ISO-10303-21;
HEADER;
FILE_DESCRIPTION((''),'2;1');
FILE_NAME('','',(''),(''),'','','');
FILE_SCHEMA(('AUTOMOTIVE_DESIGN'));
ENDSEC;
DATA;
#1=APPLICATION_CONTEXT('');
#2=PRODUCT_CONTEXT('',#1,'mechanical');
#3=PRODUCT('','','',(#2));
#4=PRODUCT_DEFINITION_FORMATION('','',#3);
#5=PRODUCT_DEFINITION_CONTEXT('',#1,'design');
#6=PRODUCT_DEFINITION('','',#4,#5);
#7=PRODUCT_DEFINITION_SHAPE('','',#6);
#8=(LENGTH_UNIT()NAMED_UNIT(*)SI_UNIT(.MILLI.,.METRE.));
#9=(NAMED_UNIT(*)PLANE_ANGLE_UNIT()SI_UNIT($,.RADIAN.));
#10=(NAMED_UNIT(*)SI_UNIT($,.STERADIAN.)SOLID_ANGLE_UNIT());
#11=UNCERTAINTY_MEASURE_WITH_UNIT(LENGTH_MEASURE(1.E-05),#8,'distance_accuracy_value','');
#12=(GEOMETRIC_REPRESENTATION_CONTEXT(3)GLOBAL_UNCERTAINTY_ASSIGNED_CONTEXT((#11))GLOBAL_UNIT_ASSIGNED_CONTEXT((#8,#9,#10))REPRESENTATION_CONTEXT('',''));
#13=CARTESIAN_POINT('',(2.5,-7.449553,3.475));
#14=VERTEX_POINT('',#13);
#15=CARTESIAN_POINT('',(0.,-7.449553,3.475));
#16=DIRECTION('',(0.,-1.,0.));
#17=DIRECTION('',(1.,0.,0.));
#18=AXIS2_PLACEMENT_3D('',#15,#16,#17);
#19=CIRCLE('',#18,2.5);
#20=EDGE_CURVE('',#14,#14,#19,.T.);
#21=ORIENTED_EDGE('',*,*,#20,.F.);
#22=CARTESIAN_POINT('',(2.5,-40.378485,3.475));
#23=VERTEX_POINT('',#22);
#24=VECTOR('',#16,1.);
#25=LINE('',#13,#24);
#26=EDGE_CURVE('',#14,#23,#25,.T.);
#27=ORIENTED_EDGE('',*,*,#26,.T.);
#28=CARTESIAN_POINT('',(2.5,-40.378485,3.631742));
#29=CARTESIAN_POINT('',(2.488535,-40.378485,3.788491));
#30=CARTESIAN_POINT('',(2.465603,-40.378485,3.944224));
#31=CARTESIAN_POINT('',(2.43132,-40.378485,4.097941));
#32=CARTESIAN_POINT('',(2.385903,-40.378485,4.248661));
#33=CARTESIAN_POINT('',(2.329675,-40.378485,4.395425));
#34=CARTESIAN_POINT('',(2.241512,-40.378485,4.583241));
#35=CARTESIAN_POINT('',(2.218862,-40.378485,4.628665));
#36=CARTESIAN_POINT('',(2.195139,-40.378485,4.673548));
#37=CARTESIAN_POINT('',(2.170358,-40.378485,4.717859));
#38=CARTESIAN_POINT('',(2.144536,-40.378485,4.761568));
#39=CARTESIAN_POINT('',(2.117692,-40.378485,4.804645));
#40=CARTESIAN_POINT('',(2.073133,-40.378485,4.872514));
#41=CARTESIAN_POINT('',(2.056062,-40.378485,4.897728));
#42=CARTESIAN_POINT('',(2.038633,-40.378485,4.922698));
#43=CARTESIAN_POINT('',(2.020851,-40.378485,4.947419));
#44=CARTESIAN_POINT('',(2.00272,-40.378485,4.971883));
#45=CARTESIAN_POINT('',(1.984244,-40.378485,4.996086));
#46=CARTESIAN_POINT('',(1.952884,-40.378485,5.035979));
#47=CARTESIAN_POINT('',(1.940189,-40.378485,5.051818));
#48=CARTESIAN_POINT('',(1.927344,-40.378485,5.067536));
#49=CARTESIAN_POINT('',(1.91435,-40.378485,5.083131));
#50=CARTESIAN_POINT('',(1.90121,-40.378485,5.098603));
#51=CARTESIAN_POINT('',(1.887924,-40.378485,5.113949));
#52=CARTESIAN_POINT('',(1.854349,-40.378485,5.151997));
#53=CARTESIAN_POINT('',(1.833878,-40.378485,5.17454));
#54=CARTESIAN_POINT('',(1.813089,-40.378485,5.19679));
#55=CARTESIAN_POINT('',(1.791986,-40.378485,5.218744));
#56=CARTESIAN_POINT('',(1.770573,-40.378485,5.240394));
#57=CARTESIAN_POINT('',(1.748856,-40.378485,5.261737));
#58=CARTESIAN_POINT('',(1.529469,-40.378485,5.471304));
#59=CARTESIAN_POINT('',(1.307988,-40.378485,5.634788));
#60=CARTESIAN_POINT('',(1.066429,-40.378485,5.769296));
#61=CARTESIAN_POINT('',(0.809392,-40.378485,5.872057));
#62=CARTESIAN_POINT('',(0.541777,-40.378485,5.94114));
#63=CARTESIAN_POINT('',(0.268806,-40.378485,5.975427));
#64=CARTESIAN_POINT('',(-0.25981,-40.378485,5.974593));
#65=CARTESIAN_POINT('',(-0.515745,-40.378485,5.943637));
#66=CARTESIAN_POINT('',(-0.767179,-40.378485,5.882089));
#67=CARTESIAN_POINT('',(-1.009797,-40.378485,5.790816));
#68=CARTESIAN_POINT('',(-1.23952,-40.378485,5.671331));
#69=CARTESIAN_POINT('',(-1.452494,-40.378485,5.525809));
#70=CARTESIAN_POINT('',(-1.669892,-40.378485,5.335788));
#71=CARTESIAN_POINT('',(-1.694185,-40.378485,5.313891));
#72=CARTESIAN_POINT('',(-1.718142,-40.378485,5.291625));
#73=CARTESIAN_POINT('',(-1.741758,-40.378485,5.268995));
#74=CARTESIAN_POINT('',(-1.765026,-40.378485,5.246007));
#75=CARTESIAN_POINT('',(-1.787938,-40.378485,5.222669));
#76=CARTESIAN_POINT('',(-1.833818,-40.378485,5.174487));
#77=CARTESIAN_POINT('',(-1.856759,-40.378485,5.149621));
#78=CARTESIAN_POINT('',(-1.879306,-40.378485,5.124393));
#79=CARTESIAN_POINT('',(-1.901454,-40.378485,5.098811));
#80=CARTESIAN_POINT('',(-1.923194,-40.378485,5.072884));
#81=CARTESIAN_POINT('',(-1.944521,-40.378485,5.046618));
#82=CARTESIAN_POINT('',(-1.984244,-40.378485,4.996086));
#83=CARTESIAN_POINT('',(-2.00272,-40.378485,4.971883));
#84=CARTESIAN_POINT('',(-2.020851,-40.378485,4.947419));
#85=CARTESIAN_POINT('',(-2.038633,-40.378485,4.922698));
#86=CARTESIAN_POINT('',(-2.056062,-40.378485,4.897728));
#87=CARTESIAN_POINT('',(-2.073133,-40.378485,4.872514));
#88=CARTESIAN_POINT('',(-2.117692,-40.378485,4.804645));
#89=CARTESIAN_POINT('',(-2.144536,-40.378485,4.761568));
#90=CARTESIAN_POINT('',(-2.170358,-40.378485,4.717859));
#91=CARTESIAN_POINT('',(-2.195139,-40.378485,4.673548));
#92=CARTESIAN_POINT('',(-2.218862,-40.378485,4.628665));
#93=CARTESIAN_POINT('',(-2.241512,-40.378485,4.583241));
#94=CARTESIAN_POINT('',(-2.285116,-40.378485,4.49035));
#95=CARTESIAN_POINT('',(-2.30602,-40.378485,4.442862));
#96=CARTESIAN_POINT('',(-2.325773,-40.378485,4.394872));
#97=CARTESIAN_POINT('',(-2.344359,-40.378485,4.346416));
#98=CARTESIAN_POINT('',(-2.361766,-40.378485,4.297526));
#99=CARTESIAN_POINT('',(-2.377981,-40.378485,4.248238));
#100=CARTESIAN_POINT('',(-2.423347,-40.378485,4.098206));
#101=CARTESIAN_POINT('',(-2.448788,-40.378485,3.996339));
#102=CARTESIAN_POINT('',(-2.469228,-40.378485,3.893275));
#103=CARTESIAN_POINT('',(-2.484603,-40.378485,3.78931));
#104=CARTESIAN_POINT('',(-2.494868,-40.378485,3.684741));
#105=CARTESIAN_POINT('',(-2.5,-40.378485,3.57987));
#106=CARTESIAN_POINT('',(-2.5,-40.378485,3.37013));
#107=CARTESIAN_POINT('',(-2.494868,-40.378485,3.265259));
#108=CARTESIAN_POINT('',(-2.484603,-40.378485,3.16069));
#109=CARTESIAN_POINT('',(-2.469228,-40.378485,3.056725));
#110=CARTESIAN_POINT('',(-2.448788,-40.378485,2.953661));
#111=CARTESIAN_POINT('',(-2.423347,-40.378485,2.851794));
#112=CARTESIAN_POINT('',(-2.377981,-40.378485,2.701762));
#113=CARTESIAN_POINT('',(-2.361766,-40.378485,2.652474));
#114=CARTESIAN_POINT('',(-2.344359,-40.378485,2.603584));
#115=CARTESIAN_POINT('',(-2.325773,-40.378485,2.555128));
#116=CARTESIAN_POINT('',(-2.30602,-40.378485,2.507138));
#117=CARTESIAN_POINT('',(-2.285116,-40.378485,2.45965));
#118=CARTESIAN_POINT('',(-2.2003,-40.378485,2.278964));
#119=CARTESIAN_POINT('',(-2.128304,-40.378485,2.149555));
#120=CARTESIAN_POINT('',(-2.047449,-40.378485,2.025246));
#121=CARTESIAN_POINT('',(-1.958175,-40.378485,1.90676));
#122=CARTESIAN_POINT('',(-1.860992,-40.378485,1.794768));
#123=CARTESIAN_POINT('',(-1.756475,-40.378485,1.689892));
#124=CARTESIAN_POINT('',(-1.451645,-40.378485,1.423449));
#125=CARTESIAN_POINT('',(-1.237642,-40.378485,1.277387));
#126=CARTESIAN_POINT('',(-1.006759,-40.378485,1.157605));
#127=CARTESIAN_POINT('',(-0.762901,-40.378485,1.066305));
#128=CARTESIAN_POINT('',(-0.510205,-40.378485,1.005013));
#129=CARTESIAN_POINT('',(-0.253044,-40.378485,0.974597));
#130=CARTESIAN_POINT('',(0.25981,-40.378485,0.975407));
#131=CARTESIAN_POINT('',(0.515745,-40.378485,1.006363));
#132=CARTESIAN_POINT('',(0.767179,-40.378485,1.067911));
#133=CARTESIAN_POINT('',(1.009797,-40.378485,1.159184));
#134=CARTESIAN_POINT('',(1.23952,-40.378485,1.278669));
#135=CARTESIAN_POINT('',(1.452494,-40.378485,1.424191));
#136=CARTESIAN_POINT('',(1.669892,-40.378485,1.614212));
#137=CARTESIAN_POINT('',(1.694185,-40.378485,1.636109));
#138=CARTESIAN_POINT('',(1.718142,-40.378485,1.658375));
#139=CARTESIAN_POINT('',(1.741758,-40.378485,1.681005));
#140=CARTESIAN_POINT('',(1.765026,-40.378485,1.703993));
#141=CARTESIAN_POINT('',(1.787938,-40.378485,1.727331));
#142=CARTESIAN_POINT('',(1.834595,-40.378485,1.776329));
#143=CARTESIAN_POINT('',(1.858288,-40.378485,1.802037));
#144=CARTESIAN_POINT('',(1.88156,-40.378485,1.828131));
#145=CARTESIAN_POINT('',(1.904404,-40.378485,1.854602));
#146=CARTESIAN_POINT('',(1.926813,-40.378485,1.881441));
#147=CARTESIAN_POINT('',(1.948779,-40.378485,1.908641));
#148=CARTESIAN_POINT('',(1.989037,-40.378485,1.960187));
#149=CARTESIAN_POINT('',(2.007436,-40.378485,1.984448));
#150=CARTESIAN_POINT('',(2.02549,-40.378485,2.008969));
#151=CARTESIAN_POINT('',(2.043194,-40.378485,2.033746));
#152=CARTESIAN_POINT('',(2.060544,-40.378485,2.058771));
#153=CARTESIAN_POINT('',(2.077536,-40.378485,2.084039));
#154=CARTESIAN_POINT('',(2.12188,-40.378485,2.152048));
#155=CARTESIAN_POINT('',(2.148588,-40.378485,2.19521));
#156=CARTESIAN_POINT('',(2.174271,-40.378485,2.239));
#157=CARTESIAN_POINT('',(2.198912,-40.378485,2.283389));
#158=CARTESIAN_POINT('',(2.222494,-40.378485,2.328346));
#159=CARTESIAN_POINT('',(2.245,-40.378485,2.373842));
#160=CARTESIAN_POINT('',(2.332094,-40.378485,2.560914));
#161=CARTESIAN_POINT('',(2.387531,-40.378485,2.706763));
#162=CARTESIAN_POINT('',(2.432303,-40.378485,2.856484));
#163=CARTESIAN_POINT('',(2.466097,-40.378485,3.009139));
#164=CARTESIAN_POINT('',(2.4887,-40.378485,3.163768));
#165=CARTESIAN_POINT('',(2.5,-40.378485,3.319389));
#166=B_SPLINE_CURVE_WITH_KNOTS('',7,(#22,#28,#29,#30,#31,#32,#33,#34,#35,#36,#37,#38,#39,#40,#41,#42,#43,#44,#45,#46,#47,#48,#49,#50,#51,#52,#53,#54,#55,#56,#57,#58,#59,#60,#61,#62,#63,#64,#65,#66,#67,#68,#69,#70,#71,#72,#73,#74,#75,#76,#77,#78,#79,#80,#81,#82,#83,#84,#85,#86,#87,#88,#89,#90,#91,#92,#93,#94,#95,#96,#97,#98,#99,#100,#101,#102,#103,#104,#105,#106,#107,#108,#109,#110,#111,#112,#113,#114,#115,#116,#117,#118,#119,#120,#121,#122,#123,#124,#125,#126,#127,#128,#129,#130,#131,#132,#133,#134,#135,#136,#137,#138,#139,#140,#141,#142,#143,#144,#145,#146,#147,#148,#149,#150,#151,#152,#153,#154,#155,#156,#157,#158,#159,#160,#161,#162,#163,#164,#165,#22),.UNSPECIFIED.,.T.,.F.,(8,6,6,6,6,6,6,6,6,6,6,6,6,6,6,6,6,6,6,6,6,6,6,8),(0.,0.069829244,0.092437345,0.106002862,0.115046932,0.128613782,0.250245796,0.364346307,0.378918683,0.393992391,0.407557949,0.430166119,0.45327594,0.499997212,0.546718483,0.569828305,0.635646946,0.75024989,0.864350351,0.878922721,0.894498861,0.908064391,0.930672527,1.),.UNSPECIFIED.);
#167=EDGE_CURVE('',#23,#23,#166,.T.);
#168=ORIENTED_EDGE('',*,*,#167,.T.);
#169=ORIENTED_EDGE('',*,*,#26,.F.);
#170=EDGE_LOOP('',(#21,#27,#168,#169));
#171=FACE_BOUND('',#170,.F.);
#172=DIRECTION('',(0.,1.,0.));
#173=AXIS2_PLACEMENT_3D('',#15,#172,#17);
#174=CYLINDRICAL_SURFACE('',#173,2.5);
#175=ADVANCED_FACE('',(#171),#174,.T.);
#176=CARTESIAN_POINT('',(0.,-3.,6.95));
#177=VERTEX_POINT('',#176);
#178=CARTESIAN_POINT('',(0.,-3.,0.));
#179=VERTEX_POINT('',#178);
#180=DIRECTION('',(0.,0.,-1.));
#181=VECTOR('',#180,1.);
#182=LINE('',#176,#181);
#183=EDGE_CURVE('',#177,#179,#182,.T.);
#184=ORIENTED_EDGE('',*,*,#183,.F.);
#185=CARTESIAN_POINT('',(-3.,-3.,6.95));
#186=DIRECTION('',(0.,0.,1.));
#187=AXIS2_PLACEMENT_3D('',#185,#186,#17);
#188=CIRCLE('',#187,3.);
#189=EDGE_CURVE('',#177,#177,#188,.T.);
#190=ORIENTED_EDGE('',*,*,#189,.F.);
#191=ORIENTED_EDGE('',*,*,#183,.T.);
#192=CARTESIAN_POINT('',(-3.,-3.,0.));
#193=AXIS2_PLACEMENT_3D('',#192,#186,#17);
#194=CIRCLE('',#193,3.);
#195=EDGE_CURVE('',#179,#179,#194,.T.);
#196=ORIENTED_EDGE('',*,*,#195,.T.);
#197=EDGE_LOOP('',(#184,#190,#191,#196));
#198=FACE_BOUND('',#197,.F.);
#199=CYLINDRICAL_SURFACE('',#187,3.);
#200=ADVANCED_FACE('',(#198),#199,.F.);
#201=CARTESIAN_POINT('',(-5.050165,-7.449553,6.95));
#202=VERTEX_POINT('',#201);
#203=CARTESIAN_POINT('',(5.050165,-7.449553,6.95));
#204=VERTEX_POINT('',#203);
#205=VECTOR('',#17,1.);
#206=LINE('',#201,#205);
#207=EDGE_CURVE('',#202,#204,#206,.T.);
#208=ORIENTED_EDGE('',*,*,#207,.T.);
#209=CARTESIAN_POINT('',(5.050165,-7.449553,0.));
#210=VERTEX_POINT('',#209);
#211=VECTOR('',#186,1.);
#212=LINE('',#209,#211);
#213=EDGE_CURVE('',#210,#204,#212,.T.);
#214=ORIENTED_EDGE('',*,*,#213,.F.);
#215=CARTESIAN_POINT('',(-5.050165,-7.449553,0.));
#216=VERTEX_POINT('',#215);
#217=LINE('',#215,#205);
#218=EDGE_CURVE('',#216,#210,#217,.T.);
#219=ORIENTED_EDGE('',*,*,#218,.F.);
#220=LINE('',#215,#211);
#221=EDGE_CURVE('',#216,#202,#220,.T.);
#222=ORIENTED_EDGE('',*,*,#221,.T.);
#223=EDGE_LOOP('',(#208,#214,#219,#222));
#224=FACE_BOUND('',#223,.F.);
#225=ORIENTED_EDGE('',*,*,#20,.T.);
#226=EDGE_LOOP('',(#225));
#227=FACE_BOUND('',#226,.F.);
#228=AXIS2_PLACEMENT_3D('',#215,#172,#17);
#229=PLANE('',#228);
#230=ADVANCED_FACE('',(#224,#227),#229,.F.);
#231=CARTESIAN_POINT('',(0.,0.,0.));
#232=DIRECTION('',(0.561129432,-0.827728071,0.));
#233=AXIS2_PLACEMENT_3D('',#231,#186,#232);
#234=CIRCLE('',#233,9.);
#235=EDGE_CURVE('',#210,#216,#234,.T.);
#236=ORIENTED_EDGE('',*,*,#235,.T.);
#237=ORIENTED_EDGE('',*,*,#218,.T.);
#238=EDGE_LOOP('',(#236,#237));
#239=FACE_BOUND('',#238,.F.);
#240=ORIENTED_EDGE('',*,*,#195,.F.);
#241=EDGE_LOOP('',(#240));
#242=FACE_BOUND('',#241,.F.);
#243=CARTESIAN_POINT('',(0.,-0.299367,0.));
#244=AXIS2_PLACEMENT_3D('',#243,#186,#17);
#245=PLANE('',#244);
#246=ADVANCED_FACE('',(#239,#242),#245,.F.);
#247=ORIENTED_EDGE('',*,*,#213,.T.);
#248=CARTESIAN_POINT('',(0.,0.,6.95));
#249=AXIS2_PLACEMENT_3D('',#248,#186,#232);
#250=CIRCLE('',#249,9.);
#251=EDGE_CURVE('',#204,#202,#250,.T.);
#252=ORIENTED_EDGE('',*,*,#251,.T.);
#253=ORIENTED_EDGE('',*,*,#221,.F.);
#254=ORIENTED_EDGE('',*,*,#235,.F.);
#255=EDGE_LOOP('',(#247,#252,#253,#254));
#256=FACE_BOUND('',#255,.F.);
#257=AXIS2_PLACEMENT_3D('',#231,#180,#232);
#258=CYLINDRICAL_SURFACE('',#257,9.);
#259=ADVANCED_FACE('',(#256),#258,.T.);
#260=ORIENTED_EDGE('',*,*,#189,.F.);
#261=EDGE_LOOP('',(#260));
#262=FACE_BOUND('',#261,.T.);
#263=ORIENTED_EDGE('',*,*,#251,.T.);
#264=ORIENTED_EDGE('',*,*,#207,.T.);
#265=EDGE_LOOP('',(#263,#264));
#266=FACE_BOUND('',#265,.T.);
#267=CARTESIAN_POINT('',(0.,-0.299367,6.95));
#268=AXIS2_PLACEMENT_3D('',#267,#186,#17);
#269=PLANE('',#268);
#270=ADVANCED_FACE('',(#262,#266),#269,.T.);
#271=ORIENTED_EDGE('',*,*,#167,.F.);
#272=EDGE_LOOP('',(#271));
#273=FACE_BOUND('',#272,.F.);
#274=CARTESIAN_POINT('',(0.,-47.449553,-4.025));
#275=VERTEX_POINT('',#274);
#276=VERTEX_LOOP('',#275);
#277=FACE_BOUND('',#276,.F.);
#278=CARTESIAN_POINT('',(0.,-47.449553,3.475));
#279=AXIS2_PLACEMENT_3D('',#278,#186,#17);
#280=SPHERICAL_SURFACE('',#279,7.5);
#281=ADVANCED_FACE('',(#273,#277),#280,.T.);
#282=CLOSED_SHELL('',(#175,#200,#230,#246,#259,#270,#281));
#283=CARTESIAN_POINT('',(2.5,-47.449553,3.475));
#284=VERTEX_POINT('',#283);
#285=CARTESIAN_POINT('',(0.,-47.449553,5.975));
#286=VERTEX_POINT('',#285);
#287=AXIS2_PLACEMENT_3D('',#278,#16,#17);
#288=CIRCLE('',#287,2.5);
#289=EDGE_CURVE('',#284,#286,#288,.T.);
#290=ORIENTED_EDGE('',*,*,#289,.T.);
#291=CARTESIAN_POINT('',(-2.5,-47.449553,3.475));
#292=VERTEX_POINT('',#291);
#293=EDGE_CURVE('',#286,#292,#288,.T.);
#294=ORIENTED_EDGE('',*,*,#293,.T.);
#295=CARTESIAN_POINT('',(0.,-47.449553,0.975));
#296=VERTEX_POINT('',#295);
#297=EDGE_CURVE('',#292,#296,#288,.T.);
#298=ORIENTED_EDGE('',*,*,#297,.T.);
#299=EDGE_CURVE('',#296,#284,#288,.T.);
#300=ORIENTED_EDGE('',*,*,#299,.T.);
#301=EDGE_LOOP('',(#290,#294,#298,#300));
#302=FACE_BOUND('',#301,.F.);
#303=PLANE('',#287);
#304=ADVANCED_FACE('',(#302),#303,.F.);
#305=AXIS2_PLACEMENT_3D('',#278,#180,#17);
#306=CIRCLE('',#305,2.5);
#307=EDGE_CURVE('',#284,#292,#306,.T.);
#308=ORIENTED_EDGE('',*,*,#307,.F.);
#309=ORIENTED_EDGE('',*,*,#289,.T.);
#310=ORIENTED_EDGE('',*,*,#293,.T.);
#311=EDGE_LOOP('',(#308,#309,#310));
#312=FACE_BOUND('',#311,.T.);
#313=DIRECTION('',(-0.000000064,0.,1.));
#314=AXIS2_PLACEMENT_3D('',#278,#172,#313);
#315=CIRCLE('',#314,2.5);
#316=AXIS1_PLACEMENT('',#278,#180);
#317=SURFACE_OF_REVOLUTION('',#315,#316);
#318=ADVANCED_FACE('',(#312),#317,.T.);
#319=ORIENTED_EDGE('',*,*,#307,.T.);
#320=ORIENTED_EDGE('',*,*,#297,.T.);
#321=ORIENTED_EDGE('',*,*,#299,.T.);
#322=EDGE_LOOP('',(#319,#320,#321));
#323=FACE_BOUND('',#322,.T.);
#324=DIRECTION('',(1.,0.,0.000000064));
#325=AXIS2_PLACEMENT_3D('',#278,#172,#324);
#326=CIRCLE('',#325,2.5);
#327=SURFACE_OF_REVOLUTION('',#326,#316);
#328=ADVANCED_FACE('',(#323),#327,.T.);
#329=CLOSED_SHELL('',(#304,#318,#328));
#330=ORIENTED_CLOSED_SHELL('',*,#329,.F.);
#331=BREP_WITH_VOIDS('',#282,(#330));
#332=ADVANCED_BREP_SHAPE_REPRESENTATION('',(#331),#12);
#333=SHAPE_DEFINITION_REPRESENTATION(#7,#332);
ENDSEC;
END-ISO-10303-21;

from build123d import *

# Parameters (mm, degrees)
F1_DEPTH = 6.95
F2_R     = 2.5
F3_DEPTH = 40
F6_R     = 3
F7_DEPTH = 10


with BuildPart() as f1:
    # F0 (on Top) → F1 (new body)
    with BuildSketch(Plane.XY):
        with BuildLine():
            Line((-5.050165, -7.449553), (5.050165, -7.449553))
            ThreePointArc((5.050165, -7.449553), (0, 9), (-5.050165, -7.449553))
        make_face()
    extrude(amount=F1_DEPTH)

    # F2 (on face) → F3 (join)
    with BuildSketch(Plane.XZ.offset(7.449553)):
        with Locations((0, 3.475)):
            Circle(F2_R)
    extrude(amount=F3_DEPTH)

    # F4 (on face) → F5 (revolve)
    with BuildSketch(Plane.XZ.offset(47.449553)):
        with BuildLine():
            Line((0, 0.975), (0, -4.025))
            ThreePointArc((0, -4.025), (7.5, 3.475), (0, 10.975))
            Line((0, 10.975), (0, 5.975))
            ThreePointArc((0, 5.975), (1.767767, 5.242767), (2.5, 3.475))
            ThreePointArc((2.5, 3.475), (1.767767, 1.707233), (0, 0.975))
        make_face()
    revolve(axis=Axis((0, -47.449553, 3.475), (0, 0, -1)))

    # F6 (on face) → F7 (cut)
    with BuildSketch(Plane.XY.offset(6.95)):
        with Locations((-3, -3)):
            Circle(F6_R)
    extrude(amount=-F7_DEPTH, mode=Mode.SUBTRACT)


solid = f1.part
